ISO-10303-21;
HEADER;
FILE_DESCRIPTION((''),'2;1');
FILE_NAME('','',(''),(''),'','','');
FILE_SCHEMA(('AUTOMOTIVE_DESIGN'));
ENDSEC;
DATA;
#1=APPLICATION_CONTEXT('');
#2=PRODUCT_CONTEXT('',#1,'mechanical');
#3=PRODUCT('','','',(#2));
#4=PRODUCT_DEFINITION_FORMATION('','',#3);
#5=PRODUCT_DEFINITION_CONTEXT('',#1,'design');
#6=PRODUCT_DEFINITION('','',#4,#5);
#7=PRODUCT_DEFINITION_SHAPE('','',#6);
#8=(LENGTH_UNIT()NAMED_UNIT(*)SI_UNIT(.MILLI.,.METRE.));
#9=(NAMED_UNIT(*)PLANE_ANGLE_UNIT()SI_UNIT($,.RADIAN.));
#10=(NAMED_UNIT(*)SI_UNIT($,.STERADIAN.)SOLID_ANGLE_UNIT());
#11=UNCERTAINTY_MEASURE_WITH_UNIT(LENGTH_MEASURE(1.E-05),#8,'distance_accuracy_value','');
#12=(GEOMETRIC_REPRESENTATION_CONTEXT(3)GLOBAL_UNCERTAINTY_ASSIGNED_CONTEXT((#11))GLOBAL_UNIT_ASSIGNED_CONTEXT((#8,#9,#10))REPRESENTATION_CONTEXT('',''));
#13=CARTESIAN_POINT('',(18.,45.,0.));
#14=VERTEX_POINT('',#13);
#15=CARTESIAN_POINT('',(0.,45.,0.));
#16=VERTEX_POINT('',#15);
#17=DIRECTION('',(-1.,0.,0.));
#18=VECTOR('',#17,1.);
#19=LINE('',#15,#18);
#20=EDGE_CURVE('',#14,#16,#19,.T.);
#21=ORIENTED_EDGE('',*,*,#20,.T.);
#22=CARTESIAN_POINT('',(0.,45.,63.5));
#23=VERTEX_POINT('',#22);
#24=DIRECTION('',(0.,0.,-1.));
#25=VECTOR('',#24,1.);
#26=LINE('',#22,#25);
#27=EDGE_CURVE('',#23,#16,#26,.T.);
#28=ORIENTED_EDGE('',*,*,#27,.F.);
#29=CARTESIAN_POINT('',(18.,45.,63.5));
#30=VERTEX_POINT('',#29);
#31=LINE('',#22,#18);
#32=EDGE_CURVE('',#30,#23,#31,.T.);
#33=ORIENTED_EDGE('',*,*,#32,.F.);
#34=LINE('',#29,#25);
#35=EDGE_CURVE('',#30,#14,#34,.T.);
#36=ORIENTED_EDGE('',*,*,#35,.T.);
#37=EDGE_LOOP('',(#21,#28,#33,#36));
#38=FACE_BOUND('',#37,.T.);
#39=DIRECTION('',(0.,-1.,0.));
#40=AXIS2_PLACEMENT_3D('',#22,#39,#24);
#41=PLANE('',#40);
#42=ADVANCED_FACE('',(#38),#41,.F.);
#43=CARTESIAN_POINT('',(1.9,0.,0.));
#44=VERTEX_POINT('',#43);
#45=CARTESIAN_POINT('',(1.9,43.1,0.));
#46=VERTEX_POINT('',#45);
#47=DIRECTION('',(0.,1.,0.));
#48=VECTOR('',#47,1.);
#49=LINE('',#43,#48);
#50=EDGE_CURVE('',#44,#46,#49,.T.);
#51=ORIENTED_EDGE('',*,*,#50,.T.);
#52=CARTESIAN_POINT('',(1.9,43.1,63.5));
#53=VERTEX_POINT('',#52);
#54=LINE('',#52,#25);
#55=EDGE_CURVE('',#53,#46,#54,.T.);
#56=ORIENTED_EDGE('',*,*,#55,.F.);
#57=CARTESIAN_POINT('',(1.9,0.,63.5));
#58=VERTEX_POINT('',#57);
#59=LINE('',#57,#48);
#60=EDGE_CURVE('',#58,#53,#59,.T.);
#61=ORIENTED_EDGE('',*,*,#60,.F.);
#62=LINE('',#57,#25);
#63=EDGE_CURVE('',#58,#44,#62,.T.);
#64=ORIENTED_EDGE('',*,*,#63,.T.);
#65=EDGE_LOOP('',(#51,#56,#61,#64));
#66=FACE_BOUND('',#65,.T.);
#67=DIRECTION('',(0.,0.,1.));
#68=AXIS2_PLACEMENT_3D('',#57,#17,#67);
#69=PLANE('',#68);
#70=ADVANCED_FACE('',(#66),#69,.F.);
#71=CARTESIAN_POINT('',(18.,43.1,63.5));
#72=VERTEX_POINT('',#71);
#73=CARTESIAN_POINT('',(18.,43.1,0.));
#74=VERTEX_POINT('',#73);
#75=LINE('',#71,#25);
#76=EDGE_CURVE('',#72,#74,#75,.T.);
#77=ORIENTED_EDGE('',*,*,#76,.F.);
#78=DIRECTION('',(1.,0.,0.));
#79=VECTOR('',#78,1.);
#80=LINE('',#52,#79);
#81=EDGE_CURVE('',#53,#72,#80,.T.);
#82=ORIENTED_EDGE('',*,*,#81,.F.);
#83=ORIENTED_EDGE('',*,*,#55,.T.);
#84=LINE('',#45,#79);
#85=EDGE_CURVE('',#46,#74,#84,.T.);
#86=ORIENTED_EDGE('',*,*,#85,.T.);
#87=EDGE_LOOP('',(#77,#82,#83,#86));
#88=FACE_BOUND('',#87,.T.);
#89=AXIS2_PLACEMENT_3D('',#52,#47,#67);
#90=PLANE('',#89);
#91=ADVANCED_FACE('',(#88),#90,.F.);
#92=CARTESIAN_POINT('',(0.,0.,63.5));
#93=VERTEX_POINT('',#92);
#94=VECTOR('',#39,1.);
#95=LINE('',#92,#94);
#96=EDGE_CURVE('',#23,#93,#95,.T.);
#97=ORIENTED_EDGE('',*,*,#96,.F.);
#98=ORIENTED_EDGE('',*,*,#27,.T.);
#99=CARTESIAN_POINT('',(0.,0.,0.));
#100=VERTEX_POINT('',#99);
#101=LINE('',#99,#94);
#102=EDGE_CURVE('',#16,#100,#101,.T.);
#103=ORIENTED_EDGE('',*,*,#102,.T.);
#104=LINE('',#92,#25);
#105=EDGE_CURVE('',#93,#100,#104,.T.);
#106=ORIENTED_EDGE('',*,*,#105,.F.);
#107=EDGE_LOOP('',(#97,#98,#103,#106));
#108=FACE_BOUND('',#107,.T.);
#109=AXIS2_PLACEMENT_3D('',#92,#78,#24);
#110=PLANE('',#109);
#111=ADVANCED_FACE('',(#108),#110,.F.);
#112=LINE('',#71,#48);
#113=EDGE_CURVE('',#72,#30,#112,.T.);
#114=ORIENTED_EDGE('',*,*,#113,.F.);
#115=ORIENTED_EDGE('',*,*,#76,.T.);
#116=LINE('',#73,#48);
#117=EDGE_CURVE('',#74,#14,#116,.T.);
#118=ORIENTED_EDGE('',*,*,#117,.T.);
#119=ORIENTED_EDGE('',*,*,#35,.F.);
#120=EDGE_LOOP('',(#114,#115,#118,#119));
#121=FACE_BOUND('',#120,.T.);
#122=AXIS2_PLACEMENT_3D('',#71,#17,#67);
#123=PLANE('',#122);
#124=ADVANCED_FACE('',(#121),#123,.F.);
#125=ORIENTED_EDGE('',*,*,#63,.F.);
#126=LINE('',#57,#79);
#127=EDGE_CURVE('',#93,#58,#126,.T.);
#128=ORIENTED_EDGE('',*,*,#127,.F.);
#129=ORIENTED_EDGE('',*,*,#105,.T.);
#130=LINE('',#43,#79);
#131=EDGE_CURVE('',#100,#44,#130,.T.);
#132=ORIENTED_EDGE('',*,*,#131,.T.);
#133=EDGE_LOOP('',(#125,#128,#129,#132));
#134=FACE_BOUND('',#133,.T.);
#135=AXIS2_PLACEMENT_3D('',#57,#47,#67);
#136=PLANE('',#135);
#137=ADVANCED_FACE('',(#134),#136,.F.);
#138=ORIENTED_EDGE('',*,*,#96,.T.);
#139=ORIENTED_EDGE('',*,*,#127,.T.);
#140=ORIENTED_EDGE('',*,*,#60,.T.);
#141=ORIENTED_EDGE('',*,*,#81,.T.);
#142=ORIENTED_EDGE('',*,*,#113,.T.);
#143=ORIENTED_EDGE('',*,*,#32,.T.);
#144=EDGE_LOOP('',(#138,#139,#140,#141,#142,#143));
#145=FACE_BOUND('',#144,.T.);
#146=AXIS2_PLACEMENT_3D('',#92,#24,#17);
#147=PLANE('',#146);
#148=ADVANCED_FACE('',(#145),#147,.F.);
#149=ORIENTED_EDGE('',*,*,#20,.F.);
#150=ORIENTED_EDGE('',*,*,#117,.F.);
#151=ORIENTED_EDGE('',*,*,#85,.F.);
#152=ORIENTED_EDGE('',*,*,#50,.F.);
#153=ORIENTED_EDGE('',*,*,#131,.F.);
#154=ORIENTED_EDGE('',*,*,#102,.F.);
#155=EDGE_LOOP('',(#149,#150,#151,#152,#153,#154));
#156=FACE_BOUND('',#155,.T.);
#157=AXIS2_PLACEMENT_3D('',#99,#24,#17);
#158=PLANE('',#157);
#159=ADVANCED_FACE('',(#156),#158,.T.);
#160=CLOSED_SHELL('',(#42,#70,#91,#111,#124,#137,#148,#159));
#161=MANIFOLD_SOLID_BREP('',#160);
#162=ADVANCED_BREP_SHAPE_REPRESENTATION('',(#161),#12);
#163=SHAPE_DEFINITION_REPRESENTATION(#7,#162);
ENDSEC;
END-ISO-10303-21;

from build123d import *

# Parameters (mm, degrees)
SALIENTE_EXTRUIR1_DEPTH = 63.5


with BuildPart() as part:
    # Croquis1 → Saliente-Extruir1 (new body)
    with BuildSketch(Plane.XY):
        Polygon((0, 0), (0, 45), (18, 45), (18, 43.1), (1.9, 43.1), (1.9, 0), align=None)
    extrude(amount=SALIENTE_EXTRUIR1_DEPTH)


solid = part.part
